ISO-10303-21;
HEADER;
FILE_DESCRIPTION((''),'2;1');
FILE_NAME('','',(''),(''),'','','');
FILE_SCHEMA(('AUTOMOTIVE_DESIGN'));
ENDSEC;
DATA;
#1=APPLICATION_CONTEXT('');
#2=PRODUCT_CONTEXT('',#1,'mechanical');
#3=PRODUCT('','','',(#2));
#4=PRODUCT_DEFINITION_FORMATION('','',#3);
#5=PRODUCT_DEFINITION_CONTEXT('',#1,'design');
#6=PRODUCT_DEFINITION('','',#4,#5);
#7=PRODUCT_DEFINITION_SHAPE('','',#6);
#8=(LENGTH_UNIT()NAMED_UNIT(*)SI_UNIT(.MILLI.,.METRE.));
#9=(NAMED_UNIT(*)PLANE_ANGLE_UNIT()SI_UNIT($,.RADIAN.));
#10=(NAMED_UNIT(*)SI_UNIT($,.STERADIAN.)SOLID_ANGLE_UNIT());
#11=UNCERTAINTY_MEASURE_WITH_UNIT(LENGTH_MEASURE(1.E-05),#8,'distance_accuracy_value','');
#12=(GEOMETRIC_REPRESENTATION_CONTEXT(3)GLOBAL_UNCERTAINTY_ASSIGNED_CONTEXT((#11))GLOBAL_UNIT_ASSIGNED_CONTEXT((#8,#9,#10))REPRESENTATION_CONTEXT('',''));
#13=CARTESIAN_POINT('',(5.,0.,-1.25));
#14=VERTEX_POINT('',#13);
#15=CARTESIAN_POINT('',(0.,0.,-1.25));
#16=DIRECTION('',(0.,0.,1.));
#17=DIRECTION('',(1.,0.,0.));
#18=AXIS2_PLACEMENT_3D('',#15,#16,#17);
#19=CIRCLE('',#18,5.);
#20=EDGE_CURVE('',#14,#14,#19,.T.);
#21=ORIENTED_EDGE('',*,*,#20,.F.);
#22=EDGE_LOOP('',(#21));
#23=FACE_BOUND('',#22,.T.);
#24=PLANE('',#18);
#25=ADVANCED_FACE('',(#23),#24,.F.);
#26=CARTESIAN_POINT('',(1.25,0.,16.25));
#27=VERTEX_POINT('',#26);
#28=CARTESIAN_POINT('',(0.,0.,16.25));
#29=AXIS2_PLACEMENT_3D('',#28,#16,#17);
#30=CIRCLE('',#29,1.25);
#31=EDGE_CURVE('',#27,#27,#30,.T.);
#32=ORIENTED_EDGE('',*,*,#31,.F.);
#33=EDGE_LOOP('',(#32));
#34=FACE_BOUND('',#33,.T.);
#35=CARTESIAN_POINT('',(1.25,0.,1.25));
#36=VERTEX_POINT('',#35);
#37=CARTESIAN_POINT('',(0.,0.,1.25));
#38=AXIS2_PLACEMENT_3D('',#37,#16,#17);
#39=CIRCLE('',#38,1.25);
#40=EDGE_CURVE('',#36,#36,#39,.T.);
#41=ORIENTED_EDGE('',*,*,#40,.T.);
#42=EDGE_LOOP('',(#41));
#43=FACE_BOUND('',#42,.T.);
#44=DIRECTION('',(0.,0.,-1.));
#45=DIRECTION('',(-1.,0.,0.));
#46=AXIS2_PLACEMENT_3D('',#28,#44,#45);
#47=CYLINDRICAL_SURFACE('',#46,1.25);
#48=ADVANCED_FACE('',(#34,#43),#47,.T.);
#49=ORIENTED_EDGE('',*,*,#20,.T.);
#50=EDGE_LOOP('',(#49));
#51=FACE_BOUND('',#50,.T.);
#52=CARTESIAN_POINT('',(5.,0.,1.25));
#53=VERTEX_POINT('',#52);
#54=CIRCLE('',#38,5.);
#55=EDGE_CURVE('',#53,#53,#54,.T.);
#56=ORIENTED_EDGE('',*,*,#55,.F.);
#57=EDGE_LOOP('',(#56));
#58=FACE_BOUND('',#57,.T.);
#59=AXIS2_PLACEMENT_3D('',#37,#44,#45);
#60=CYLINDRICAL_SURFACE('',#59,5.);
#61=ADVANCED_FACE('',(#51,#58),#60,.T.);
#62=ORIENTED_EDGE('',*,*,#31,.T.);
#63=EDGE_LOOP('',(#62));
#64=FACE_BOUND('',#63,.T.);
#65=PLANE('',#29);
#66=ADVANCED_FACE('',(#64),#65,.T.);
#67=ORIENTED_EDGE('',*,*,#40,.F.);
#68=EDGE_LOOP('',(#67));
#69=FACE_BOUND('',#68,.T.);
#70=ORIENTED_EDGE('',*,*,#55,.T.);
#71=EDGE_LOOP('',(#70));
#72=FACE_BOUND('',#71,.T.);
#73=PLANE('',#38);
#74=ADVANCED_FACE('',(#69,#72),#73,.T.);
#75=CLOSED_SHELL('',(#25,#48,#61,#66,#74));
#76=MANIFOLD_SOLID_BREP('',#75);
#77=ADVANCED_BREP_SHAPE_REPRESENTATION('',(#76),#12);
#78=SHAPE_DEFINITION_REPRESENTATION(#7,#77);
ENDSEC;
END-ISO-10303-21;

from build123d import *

# Parameters (mm, degrees)
SKETCH1_R           = 5
BOSS_EXTRUDE1_DEPTH = 1.25
SKETCH2_R           = 1.25
BOSS_EXTRUDE2_DEPTH = 15


with BuildPart() as part:
    # Sketch1 → Boss-Extrude1 (new, symmetric)
    with BuildSketch(Plane.XY):
        Circle(SKETCH1_R)
    extrude(amount=BOSS_EXTRUDE1_DEPTH, both=True)

    # Sketch2 → Boss-Extrude2 (add)
    with BuildSketch(Plane.XY.offset(1.25)):
        Circle(SKETCH2_R)
    extrude(amount=BOSS_EXTRUDE2_DEPTH)


solid = part.part
